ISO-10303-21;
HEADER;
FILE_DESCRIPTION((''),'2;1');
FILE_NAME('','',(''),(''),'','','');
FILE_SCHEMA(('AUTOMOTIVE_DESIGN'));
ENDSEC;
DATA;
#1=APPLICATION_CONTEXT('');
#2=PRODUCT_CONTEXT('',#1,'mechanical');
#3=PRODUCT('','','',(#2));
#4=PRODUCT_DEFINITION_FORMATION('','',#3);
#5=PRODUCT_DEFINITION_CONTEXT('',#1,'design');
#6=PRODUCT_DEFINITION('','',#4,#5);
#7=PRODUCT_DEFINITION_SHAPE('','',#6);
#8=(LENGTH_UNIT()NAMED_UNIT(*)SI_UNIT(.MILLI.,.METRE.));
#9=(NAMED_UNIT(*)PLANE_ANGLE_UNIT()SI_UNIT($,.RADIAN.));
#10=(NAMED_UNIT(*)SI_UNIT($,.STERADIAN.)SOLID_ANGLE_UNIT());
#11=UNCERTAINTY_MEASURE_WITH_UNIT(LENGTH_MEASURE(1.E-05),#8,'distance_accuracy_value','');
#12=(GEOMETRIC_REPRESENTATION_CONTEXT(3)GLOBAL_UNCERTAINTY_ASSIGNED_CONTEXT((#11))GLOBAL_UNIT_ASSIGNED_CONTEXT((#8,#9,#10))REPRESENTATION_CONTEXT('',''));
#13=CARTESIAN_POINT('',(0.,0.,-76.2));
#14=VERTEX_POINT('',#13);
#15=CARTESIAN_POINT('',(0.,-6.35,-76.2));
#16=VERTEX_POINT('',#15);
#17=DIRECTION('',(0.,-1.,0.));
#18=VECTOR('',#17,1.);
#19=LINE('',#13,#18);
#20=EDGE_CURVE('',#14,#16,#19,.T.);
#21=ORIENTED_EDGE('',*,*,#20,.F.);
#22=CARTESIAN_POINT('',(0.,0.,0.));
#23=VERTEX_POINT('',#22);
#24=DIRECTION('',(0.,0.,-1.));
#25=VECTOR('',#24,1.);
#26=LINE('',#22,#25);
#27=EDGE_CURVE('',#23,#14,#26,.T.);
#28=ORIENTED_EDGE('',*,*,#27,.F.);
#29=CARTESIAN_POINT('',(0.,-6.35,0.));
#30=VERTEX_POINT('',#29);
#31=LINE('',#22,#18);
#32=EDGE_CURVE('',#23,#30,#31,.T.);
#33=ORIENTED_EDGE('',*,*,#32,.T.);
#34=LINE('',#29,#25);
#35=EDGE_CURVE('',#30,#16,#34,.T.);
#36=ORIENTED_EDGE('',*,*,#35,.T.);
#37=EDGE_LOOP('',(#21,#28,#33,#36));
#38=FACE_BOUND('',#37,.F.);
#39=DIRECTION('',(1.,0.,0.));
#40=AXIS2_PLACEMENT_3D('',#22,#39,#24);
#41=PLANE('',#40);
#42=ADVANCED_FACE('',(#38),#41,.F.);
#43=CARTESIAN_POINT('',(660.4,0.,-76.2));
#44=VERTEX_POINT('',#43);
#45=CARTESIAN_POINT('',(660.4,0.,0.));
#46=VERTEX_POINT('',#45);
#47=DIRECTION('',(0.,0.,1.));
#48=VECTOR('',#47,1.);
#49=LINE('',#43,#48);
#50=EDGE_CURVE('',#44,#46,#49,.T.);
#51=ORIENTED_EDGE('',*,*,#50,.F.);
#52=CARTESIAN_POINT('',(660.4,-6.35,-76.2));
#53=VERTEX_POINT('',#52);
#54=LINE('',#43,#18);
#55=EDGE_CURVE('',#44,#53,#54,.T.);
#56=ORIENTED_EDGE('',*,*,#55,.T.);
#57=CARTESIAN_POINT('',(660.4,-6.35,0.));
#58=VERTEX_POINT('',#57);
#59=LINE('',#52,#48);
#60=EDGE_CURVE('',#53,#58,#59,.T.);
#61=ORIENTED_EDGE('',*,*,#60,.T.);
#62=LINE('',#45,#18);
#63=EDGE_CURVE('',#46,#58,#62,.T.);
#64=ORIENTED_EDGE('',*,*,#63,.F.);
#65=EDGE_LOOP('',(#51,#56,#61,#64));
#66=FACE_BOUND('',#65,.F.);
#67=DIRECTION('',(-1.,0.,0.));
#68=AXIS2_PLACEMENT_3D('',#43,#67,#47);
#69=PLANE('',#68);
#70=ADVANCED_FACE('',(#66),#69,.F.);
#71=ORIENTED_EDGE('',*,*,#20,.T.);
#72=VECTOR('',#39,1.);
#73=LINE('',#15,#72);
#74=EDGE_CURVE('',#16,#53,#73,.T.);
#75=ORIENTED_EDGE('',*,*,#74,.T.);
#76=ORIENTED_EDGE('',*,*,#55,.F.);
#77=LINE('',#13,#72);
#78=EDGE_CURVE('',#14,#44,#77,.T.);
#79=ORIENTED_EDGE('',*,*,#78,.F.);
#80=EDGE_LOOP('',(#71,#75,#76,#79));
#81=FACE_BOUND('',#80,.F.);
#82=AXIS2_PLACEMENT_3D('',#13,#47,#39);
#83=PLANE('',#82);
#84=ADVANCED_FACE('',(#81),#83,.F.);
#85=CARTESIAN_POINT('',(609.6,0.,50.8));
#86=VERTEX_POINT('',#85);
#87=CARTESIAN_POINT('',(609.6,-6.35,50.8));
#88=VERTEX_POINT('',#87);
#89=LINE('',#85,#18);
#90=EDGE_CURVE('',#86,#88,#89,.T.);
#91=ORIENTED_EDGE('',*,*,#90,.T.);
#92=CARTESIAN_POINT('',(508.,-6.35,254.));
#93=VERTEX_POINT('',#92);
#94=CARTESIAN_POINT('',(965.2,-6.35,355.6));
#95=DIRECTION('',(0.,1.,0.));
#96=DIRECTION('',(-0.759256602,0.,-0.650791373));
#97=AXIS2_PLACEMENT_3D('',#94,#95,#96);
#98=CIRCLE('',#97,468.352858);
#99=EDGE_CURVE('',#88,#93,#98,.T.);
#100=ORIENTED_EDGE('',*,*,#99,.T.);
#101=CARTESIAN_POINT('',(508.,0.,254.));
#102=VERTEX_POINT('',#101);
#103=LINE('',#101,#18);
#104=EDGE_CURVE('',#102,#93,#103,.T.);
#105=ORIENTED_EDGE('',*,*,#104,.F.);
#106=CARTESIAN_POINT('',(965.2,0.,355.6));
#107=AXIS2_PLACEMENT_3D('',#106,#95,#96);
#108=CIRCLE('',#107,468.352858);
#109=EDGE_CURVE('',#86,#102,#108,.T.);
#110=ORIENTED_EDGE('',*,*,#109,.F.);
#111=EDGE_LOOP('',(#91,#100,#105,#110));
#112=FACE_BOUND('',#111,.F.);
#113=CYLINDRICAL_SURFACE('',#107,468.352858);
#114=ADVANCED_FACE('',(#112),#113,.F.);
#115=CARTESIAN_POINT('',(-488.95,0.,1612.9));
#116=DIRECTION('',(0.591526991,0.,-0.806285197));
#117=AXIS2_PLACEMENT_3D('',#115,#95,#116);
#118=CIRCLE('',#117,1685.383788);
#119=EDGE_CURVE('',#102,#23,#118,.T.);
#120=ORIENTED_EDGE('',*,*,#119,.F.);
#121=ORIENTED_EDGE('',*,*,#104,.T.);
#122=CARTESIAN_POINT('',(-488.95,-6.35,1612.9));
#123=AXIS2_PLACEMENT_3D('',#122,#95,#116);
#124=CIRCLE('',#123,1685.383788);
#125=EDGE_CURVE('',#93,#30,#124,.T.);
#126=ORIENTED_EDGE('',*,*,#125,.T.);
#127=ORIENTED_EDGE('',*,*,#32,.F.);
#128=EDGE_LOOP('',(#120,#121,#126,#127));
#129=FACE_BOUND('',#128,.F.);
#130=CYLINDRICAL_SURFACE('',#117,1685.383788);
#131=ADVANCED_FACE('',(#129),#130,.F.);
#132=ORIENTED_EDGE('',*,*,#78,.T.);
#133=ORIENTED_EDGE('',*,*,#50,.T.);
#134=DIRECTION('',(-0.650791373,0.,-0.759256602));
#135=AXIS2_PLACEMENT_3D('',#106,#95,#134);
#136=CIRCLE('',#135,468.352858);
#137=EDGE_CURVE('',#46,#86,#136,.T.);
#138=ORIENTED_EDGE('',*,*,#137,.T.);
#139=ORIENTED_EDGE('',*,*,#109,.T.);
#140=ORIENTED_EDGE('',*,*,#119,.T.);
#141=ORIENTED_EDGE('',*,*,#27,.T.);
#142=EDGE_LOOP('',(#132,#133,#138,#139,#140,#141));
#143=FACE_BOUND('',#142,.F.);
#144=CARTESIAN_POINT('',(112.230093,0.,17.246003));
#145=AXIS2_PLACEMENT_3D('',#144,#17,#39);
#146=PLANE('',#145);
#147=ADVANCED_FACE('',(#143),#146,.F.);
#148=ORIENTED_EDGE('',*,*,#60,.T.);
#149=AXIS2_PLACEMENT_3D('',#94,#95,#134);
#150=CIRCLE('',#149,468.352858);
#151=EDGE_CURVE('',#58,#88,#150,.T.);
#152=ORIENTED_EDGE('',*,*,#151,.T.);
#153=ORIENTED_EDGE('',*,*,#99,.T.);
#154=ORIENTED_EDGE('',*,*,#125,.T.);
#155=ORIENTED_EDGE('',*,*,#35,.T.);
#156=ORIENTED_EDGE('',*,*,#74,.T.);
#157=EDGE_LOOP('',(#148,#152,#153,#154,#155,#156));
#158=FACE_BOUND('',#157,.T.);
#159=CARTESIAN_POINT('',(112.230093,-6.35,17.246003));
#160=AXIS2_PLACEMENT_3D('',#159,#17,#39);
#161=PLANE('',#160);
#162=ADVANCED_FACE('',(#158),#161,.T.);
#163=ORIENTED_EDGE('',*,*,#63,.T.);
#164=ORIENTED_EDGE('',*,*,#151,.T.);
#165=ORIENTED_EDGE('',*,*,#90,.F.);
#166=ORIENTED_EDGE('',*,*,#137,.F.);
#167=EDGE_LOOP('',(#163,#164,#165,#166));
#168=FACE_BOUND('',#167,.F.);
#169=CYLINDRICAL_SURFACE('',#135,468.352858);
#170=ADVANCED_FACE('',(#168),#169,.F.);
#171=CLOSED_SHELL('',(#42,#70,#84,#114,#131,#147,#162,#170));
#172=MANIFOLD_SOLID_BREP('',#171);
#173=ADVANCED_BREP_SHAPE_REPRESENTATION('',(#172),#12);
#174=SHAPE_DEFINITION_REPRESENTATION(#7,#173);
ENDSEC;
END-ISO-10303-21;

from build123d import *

# Parameters (mm, degrees)
F0_W     = 101.6
F0_H     = 50.8
F0_W_2   = 304.8
F1_DEPTH = 6.35


with BuildPart() as f1:
    # F0 (on Front) → F1 (new body)
    with BuildSketch(Plane.XZ):
        with BuildLine():
            ThreePointArc((143.7917344383, 50.8), (72.4707395321, 23.7727975007), (0, 0))
            Line((0, 0), (203.2, 0))
            Line((203.2, 0), (203.2, 50.8))
            Line((203.2, 50.8), (143.7917344383, 50.8))
        make_face()
        with BuildLine():
            ThreePointArc((203.2, 76.2), (173.6175942843, 63.2152915821), (143.7917344383, 50.8))
            Line((143.7917344383, 50.8), (203.2, 50.8))
            Line((203.2, 50.8), (203.2, 76.2))
        make_face()
        with BuildLine():
            Line((203.2, 76.2), (203.2, 50.8))
            Line((203.2, 50.8), (508, 50.8))
            Line((508, 50.8), (508, 254))
            ThreePointArc((508, 254), (360.2660576084, 157.1010440998), (203.2, 76.2))
        make_face()
        with BuildLine():
            Line((508, 254), (508, 50.8))
            Line((508, 50.8), (609.6, 50.8))
            ThreePointArc((609.6, 50.8), (546.2924684372, 146.1462342186), (508, 254))
        make_face()
        with Locations((558.8, 25.4)):
            Rectangle(F0_W, F0_H)
        with Locations((355.6, 25.4)):
            Rectangle(F0_W_2, F0_H)
        with BuildLine():
            Line((609.6, 50.8), (609.6, 0))
            Line((609.6, 0), (660.4, 0))
            ThreePointArc((660.4, 0), (634.0245178157, 24.4245178157), (609.6, 50.8))
        make_face()
        Polygon((203.2, 0), (0, 0), (0, -76.2), (660.4, -76.2), (660.4, 0), (609.6, 0), (508, 0), align=None)
    extrude(amount=F1_DEPTH)


solid = f1.part
